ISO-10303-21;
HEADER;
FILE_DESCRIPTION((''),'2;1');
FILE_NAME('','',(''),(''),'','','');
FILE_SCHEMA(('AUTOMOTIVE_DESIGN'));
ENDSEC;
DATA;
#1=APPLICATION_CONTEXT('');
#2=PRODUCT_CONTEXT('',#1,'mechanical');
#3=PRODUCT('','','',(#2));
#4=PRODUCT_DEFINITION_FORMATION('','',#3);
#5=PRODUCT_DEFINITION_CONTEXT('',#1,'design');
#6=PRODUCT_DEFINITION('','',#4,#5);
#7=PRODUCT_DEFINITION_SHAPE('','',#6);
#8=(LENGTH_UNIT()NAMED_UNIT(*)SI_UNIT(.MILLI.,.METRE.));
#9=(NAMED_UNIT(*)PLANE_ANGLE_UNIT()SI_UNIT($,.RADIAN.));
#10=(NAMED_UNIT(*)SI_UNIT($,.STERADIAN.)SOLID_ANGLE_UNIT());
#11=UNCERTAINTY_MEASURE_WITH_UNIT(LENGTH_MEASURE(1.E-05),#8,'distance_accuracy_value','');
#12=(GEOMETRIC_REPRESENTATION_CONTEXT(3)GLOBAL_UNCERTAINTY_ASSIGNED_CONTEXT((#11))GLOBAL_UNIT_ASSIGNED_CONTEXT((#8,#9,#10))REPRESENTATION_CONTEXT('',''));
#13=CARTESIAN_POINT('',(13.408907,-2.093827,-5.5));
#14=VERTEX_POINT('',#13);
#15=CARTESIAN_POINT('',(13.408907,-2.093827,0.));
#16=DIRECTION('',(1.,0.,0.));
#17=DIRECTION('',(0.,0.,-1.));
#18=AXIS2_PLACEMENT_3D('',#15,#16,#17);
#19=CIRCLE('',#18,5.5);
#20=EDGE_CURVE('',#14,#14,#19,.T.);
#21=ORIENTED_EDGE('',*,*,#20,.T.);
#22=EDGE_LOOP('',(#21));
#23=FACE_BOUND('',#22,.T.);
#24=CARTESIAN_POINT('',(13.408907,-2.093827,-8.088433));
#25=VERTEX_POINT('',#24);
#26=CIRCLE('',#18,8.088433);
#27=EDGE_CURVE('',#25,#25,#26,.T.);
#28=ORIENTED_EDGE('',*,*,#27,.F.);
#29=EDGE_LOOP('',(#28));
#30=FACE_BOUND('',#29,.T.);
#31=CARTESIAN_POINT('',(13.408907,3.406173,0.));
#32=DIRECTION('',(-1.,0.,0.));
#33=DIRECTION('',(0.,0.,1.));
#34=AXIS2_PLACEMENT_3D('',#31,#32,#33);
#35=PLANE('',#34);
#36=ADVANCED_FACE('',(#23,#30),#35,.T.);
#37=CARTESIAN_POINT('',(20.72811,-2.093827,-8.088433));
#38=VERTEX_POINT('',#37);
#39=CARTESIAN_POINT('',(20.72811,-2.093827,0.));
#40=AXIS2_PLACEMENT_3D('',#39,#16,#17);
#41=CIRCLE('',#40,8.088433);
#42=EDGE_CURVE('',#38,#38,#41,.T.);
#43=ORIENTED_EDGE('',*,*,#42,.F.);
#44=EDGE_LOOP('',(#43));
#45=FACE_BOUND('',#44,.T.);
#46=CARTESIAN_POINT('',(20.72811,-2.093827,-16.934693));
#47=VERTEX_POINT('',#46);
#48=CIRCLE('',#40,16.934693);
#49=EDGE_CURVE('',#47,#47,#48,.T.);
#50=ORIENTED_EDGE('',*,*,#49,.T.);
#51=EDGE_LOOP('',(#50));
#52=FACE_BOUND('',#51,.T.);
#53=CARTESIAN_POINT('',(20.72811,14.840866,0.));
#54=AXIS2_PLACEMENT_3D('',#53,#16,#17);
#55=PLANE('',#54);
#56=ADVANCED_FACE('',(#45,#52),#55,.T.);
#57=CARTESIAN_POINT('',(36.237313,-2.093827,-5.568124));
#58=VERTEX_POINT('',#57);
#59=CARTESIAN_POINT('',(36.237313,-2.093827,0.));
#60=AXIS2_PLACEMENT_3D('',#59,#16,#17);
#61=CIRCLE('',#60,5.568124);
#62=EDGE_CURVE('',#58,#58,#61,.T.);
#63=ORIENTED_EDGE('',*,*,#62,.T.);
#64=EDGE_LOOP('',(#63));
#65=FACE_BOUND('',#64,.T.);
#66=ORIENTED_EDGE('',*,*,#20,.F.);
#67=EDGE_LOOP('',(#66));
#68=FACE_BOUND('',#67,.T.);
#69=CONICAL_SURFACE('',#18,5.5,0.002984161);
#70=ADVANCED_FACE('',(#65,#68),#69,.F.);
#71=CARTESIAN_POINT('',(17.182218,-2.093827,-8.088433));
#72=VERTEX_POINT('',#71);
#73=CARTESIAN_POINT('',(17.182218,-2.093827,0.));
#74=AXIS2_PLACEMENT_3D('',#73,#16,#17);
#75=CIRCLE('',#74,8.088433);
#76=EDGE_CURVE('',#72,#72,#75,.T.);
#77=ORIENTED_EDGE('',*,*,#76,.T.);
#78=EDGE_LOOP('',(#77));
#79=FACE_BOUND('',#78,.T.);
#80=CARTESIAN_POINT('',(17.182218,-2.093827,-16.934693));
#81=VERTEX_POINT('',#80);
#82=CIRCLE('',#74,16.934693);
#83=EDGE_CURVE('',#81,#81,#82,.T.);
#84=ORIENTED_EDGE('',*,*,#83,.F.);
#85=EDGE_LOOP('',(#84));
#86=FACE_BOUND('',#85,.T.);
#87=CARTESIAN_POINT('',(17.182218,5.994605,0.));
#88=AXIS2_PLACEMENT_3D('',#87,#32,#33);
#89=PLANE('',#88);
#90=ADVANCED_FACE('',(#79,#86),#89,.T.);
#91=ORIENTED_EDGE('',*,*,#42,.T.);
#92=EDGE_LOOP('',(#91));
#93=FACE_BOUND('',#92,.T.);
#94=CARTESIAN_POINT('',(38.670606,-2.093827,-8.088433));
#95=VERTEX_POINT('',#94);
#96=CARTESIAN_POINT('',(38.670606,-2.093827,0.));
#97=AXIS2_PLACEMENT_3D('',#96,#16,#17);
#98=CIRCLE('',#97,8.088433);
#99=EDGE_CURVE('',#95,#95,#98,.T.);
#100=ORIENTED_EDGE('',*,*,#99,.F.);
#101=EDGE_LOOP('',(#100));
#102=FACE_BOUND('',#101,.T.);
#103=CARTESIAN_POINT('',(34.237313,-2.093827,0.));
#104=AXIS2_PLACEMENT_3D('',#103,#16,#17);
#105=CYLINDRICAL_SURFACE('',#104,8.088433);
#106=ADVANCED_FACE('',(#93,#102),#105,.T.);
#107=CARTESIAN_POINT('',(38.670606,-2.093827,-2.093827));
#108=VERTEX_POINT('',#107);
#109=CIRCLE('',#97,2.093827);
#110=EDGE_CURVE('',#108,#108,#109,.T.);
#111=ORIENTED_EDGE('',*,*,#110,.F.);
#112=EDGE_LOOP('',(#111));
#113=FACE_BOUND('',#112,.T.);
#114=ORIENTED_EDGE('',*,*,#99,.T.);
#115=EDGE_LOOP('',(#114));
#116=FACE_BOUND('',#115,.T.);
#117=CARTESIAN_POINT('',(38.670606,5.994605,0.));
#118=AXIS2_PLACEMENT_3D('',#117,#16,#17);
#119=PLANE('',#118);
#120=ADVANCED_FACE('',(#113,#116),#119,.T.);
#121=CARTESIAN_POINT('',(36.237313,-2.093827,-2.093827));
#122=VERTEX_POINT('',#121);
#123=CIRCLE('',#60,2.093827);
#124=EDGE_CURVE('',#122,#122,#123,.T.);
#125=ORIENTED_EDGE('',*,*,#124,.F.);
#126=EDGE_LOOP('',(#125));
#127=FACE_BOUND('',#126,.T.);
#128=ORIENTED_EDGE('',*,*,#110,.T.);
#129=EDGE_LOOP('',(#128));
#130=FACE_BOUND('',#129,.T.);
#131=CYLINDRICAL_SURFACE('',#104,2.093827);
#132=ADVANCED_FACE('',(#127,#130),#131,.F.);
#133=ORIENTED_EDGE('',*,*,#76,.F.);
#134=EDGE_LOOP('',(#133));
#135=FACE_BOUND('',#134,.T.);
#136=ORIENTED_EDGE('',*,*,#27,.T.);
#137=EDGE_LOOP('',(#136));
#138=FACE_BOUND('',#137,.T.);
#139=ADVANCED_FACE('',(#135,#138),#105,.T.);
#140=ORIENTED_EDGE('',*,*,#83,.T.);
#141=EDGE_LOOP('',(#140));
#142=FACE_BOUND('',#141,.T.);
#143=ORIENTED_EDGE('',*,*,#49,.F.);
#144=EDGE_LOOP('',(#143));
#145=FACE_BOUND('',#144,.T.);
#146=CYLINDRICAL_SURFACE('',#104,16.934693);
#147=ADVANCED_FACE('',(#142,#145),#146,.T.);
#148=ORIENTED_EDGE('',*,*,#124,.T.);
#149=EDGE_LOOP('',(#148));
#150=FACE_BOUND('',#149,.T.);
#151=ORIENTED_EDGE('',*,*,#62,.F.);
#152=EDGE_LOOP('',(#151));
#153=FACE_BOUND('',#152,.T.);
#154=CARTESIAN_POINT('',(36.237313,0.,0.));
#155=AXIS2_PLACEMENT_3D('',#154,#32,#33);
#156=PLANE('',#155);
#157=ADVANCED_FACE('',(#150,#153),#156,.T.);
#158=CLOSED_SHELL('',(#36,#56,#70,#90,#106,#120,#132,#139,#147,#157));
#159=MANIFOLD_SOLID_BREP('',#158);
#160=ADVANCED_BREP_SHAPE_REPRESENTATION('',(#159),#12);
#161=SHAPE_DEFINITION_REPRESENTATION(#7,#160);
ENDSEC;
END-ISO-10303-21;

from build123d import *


with BuildPart() as part:
    # Sketch1 → Revolve1 (revolve)
    with BuildSketch(Plane.XY):
        Polygon((38.670605563, 0), (36.237312605, 0), (36.237312605, 3.47429672), (13.408906872, 3.406172878), (13.408906872, 5.994605406), (17.18221751, 5.994605406), (17.18221751, 14.840865577), (20.728109844, 14.840865577), (20.728109844, 5.994605406), (38.670605563, 5.994605406), align=None)
    revolve(axis=Axis((34.237312605, -2.093827122, 0), (-1, 0, 0)))


solid = part.part
